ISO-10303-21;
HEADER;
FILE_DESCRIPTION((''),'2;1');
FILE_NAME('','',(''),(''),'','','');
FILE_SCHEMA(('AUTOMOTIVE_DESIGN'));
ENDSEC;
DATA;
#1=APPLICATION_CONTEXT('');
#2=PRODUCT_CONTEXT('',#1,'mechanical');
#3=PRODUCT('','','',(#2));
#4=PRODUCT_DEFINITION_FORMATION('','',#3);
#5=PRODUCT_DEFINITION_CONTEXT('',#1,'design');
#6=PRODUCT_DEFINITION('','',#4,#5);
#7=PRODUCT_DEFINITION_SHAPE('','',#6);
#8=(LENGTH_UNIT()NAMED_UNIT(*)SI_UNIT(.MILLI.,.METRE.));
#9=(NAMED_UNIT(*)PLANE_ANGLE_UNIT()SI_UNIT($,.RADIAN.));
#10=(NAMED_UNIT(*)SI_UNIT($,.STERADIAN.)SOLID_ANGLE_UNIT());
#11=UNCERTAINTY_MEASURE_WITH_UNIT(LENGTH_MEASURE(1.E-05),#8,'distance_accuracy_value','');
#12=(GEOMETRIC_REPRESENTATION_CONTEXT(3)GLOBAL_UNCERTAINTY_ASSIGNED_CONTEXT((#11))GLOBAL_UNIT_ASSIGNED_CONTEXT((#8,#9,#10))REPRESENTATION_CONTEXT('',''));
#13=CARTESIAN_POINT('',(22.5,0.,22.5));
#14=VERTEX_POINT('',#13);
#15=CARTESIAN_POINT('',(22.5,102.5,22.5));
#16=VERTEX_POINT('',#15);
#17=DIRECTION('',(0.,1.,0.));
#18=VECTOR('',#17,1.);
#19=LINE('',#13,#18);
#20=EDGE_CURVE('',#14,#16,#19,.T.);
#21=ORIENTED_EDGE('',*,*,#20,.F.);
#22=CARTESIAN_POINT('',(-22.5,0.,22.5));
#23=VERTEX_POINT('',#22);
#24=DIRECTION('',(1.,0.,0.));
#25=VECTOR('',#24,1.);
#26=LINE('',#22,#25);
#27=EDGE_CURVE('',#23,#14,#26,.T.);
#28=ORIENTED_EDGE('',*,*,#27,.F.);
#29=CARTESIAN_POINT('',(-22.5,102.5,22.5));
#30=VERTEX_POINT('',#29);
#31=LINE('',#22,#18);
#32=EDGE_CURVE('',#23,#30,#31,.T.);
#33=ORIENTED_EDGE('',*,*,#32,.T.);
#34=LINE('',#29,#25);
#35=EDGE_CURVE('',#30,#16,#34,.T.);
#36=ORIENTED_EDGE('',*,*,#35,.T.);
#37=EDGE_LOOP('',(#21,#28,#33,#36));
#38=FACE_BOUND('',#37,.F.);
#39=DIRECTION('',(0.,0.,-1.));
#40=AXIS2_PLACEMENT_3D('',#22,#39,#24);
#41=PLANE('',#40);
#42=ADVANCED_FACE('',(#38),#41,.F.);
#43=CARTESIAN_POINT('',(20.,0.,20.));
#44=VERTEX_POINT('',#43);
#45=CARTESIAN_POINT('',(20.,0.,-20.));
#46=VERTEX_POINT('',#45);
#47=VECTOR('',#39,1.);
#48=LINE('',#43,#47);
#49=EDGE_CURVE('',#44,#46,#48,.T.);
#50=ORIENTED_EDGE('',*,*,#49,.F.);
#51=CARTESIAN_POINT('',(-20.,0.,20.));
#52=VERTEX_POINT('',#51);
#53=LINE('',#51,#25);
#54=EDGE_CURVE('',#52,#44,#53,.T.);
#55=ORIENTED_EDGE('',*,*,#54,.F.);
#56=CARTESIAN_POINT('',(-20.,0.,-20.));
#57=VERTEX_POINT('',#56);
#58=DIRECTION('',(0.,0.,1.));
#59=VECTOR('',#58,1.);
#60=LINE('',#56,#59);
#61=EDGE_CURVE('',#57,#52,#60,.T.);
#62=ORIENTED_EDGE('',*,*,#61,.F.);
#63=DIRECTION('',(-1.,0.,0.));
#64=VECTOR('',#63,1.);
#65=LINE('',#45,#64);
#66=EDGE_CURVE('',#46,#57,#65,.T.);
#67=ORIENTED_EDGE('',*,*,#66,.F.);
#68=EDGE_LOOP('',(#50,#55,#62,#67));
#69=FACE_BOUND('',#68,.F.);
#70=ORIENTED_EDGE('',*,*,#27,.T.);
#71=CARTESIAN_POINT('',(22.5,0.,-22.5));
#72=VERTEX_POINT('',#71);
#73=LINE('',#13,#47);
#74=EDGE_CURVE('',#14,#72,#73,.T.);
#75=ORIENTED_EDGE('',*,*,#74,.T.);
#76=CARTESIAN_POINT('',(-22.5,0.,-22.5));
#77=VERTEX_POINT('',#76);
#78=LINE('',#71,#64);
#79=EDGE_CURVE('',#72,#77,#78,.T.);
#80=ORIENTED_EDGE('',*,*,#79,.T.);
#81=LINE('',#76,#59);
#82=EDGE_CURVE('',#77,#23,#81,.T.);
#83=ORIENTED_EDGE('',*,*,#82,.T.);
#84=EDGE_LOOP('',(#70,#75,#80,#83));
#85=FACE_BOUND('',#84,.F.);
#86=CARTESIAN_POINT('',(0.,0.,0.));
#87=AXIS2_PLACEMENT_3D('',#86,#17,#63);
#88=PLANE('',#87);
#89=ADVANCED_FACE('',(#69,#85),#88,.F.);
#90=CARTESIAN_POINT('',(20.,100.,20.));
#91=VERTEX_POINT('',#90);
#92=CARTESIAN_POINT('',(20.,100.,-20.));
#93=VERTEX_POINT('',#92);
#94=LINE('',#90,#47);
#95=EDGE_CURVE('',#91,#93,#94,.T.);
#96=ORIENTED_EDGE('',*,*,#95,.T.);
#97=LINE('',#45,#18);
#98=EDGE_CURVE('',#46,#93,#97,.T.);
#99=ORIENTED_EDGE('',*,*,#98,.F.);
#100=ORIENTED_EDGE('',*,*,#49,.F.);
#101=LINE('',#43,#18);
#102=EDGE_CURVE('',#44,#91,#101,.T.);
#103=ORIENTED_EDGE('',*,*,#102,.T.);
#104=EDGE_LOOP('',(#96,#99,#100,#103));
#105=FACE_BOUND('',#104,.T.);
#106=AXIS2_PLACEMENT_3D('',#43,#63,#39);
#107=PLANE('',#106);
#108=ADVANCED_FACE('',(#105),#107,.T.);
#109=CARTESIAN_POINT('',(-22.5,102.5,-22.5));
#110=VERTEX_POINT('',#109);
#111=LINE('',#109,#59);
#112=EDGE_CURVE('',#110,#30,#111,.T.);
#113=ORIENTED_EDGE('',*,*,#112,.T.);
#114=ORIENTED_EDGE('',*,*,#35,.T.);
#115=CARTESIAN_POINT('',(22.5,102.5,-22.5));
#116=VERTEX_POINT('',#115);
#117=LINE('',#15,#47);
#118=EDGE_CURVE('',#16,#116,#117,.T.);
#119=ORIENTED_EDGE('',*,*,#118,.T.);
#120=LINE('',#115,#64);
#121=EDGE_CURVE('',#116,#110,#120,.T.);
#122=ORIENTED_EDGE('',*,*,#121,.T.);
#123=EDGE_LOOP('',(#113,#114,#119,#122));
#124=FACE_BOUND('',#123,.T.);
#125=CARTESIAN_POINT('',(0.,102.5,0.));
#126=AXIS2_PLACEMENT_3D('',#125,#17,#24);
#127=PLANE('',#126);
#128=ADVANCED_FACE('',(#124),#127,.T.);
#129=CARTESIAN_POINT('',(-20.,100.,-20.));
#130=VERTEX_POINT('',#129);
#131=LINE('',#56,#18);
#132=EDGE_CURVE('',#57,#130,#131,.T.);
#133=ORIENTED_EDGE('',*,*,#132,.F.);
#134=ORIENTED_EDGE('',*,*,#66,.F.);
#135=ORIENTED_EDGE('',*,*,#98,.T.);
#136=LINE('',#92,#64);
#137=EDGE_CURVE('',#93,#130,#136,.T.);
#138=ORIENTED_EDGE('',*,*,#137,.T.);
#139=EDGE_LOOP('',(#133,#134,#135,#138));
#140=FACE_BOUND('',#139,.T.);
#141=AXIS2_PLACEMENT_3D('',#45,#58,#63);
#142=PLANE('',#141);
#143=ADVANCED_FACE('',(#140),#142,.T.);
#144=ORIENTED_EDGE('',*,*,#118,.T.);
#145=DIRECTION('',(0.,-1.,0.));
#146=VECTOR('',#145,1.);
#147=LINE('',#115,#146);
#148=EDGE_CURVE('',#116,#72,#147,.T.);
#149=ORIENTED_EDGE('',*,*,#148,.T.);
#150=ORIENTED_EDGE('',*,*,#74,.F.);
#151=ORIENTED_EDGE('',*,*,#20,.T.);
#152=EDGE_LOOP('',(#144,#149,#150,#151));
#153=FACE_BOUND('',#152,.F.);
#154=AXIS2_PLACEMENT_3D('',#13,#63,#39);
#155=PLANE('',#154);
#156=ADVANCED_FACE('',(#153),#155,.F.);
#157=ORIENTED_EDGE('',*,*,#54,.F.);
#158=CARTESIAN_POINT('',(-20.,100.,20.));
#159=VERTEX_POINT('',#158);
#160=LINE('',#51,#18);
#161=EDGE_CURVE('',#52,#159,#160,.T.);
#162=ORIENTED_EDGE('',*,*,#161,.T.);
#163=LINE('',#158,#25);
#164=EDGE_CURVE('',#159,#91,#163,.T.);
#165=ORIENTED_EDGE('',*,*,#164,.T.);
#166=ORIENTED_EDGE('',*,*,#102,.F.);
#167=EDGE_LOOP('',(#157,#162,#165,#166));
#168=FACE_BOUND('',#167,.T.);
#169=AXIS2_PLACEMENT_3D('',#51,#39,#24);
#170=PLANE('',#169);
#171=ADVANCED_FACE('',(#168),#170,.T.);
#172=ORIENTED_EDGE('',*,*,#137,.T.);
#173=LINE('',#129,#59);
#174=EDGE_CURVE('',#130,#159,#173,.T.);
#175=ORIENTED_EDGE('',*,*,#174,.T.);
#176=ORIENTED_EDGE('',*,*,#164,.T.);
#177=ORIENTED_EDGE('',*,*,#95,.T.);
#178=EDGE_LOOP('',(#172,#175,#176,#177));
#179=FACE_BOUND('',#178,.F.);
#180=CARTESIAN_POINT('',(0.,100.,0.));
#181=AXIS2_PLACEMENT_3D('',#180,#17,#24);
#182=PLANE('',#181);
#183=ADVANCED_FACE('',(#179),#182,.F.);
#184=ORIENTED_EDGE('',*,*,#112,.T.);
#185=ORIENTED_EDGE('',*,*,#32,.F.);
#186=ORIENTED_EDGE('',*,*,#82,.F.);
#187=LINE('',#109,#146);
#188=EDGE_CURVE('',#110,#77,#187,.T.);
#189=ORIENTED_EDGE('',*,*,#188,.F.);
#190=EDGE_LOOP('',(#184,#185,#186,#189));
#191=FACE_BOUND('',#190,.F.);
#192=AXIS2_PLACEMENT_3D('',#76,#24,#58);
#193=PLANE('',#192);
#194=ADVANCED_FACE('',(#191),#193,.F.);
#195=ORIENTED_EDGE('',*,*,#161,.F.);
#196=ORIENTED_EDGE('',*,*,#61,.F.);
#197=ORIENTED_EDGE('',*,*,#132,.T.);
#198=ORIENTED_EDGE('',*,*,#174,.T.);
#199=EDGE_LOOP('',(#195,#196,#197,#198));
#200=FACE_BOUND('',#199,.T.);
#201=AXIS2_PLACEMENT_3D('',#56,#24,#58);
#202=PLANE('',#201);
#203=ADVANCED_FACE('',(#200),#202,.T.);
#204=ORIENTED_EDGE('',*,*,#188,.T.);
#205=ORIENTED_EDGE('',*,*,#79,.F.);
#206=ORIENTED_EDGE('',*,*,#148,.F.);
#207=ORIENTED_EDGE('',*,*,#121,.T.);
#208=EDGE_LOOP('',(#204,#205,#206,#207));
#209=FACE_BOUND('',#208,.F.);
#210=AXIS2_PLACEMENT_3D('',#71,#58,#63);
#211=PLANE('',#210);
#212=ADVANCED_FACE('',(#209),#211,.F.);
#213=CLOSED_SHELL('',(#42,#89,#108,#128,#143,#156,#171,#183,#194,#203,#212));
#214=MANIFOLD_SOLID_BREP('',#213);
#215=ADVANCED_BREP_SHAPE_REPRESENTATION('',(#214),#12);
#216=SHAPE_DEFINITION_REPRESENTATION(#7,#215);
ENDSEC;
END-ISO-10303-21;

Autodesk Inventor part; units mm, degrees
ref_plane "YZ Plane" through (0, 0, 0) normal (1, 0, 0) x (0, 1, 0)
ref_plane "XZ Plane" through (0, 0, 0) normal (0, 1, 0) x (-1, 0, 0)
ref_plane "XY Plane" through (0, 0, 0) normal (0, 0, 1) x (1, 0, 0)
sketch "Sketch1" plane through (0, 0, 0) normal (0, 1, 0) x (-1, 0, 0)
  line L0 (0, -31.5) -> (0, 31.5) construction
  line L1 (-31.5, 0) -> (31.5, 0) construction
  line L2 (22.5, 22.5) -> (-22.5, 22.5)
  line L3 (-22.5, 22.5) -> (-22.5, -22.5)
  line L4 (-22.5, -22.5) -> (22.5, -22.5)
  line L5 (22.5, -22.5) -> (22.5, 22.5)
  line L6 (20, 20) -> (-20, 20)
  line L7 (-20, 20) -> (-20, -20)
  line L8 (-20, -20) -> (20, -20)
  line L9 (20, -20) -> (20, 20)
  point P0 (0, 0)
  dimension "d0" = 45
  dimension "d1" = 45
  dimension "d2" = 40
  dimension "d3" = 40
extrude "Extrusion1" add sketch "Sketch1" along normal blind 100
sketch "Sketch2" plane through (0, 100, 0) normal (0, 1, 0) x (1, 0, 0)
  line L0 (-22.5, 22.5) -> (-22.5, -22.5) projected
  line L1 (-22.5, -22.5) -> (22.5, -22.5) projected
  line L2 (22.5, -22.5) -> (22.5, 22.5) projected
  line L3 (22.5, 22.5) -> (-22.5, 22.5) projected
  point P0 (0, 0)
extrude "Extrusion2" add sketch "Sketch2" along normal blind 2.5
properties part number "UQ-753-H100-40x40x100mm" material "Glass"
